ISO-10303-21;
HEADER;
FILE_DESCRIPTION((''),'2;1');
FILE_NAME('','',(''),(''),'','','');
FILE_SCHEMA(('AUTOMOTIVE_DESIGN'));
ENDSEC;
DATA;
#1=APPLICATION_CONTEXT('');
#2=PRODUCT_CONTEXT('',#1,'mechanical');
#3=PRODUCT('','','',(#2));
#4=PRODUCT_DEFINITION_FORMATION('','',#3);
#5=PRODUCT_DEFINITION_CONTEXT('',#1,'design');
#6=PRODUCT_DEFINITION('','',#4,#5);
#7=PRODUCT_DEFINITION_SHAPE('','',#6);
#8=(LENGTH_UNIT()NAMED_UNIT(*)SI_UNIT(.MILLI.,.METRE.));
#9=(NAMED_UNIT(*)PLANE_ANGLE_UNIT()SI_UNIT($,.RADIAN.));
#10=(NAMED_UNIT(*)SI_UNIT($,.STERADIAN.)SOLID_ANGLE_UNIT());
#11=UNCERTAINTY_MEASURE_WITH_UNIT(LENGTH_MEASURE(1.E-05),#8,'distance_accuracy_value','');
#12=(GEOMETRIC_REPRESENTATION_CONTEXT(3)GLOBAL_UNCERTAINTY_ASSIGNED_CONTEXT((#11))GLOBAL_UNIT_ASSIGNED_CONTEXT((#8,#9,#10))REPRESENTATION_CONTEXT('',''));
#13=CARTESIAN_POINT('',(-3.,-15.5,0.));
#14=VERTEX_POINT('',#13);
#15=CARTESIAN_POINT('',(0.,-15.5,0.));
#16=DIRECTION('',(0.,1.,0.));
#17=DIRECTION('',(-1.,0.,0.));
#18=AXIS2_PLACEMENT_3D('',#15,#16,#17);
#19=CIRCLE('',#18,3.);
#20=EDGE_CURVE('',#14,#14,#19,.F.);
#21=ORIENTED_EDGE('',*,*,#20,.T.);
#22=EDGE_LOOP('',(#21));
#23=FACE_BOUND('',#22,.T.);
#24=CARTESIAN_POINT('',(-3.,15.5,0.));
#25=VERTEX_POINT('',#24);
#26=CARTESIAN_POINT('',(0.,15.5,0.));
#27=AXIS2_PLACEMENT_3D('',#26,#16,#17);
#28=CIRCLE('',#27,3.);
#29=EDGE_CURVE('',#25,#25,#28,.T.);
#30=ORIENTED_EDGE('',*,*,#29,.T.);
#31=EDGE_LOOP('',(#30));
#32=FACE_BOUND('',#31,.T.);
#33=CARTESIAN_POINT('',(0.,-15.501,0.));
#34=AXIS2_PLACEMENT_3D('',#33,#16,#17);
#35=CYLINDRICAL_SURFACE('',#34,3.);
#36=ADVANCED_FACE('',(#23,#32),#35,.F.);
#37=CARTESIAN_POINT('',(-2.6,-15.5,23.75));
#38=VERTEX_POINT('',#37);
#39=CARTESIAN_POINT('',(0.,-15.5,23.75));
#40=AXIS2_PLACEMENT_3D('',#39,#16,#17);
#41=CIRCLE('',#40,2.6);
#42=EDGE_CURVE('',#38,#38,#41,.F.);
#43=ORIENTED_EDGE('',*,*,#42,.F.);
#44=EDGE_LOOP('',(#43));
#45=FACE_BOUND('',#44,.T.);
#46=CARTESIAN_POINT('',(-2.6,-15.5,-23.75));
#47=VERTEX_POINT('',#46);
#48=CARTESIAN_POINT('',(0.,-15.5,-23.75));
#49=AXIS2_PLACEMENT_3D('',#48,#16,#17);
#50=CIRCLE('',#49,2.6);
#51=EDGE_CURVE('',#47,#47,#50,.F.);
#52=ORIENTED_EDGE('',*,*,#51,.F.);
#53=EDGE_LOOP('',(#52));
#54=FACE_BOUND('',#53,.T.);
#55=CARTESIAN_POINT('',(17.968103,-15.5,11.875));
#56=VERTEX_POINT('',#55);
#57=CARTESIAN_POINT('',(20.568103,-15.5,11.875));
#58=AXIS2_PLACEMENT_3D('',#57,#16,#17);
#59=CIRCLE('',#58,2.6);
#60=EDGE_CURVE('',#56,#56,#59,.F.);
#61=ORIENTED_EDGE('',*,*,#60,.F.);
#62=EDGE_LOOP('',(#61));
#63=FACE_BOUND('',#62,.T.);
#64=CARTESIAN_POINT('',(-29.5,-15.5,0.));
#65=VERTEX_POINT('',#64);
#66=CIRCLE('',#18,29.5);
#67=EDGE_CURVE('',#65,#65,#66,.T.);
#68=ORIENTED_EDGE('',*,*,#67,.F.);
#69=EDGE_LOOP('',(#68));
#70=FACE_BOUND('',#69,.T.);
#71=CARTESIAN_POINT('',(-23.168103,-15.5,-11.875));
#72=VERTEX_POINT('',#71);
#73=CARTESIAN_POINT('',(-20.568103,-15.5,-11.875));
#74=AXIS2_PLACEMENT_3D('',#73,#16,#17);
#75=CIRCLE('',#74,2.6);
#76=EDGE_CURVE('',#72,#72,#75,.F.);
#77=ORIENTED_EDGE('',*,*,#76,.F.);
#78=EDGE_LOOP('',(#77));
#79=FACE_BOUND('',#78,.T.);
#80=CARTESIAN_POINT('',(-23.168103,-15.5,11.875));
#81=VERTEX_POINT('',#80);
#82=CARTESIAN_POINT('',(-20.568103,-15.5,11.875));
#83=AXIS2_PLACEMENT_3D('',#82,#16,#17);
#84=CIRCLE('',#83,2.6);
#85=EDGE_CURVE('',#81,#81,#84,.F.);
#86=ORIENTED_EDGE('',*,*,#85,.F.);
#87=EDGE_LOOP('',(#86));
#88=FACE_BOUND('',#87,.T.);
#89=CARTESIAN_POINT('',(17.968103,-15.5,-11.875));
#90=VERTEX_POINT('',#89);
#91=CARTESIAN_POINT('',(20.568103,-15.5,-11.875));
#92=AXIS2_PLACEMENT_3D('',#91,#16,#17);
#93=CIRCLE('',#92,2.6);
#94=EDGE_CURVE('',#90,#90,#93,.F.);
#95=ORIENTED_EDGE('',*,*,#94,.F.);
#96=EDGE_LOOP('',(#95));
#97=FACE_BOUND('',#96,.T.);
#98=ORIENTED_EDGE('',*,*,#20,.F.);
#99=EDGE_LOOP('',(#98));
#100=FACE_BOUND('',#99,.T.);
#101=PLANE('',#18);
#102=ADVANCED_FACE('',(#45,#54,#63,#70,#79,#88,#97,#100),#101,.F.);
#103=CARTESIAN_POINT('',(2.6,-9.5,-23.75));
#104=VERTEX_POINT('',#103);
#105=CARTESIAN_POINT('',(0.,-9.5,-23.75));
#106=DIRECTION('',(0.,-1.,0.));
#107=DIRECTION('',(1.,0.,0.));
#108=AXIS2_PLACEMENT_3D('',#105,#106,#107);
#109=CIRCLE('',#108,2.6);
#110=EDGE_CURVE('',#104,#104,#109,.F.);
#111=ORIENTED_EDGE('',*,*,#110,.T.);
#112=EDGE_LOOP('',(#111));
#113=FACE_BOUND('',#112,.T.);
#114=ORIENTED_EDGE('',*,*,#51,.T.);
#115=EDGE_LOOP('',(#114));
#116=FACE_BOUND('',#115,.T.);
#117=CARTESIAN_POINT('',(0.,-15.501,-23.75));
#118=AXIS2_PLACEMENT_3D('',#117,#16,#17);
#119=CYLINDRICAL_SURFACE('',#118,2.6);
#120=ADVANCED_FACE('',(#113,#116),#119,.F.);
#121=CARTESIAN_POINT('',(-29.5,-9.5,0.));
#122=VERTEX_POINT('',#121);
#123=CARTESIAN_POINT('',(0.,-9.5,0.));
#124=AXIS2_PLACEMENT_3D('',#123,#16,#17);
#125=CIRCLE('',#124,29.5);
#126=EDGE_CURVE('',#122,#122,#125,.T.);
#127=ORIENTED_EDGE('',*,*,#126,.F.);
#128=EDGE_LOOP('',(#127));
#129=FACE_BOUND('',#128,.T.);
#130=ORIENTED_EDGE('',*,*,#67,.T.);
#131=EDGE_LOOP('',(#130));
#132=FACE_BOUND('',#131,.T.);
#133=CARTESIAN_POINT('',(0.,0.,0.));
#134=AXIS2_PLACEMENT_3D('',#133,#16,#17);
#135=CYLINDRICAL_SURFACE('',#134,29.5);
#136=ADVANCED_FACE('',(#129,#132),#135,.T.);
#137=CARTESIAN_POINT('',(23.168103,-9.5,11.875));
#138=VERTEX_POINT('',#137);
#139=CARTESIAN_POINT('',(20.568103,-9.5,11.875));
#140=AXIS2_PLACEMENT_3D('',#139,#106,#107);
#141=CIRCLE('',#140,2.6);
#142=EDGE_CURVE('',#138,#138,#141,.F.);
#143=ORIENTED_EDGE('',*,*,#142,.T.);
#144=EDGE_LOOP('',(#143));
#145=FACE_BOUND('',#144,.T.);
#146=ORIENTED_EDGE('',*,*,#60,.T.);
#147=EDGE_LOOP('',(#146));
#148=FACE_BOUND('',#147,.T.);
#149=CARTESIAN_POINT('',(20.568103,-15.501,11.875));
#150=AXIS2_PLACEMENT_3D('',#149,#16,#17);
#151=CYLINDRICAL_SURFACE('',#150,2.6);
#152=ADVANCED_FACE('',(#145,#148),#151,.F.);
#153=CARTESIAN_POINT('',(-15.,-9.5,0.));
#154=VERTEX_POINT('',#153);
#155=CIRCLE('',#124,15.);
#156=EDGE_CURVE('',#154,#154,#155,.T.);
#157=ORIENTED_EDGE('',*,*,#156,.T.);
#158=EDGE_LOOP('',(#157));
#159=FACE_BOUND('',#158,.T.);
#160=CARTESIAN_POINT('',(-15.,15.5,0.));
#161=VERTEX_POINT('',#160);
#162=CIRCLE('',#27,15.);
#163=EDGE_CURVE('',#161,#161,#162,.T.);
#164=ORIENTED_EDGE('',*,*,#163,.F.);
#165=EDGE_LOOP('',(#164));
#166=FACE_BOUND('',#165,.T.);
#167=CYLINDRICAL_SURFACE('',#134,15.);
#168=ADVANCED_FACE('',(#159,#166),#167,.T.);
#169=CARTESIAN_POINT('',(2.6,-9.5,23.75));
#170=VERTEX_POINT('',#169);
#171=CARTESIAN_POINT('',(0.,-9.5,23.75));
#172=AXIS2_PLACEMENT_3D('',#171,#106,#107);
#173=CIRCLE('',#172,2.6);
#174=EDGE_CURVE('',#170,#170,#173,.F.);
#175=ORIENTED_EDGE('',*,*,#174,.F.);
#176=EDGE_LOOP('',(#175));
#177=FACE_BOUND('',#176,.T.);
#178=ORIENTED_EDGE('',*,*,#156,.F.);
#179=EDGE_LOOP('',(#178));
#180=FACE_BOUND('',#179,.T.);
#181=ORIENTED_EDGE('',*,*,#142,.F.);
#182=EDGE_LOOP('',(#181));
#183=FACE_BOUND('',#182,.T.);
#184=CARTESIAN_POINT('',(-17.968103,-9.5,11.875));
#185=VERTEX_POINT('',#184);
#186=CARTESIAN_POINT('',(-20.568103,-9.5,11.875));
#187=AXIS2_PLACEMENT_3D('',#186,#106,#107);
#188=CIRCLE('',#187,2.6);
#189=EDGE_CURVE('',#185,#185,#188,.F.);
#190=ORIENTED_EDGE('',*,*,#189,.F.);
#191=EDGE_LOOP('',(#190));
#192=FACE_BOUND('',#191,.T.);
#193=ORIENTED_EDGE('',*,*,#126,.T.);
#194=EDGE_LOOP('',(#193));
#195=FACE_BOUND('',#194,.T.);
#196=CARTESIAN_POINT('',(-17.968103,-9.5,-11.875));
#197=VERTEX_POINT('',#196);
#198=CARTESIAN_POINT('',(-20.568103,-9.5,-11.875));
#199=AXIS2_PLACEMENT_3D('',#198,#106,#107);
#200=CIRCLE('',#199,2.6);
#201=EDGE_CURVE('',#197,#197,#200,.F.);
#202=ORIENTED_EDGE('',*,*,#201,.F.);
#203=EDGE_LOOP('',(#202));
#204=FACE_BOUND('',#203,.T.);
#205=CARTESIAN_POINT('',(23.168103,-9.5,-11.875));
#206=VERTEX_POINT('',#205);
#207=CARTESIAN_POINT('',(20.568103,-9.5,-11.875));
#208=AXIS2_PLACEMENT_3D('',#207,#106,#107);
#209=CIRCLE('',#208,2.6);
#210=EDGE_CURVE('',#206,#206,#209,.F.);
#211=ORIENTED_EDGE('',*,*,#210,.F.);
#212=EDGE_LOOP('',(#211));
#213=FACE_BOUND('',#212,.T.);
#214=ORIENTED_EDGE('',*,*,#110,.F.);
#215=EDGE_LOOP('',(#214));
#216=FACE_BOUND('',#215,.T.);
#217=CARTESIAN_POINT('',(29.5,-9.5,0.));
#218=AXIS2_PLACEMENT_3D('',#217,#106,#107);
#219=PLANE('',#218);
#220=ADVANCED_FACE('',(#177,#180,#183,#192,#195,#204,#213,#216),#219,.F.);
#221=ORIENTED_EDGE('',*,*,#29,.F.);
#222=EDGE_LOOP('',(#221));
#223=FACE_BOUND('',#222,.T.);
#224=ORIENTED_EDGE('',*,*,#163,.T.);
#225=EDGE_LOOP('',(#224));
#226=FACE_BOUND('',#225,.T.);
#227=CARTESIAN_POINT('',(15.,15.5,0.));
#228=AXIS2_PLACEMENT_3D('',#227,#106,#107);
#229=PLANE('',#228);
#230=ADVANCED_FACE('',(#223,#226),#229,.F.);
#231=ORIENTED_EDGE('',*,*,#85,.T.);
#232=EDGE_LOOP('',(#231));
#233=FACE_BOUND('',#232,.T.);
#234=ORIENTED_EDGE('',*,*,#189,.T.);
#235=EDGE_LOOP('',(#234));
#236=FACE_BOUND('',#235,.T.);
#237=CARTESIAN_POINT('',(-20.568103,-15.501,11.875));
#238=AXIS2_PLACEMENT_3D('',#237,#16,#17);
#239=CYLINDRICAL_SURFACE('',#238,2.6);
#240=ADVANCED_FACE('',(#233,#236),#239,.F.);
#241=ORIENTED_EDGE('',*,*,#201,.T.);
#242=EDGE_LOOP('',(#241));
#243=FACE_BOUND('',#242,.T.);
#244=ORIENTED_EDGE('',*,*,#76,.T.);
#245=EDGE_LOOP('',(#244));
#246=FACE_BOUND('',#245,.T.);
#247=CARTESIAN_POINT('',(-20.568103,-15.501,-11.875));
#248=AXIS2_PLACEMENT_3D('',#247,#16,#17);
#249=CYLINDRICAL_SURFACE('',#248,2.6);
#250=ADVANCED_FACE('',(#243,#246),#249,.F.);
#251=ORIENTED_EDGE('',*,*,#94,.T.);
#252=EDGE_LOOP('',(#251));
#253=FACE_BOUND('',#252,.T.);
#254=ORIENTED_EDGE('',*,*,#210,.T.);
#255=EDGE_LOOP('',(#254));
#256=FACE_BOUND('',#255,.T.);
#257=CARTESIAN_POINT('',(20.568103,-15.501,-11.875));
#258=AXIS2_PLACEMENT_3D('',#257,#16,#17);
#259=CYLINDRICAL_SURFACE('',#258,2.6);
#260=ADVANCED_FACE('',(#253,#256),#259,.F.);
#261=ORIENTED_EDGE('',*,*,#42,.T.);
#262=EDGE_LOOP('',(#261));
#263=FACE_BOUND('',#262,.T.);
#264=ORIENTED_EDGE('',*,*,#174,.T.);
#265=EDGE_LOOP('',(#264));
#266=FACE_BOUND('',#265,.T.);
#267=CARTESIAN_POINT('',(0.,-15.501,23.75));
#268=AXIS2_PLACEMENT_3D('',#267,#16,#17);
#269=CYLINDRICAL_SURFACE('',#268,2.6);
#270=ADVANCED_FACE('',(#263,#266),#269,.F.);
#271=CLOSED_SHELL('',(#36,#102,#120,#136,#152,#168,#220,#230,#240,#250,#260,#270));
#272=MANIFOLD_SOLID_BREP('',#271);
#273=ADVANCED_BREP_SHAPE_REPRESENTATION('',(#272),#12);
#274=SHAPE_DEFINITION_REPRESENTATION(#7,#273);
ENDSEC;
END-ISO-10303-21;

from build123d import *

# Parameters (mm, degrees)
CUT_EXTRUDE1_REACH = 53.976
SKETCH2_R          = 3
SKETCH2_R_2        = 2.6


with BuildPart() as part:
    # Sketch1 → Revolve1 (revolve)
    with BuildSketch(Plane.XY, mode=Mode.PRIVATE) as revolve1_sk:
        Polygon((0, -15.5), (29.5, -15.5), (29.5, -9.5), (15, -9.5), (15, 15.5), (0, 15.5), align=None)
    revolve(revolve1_sk.sketch.rotate(Axis((0, 0, 0), (0, -1, 0)), 180), axis=Axis((0, 0, 0), (0, -1, 0)))

    # Sketch2 → Cut-Extrude1 (cut, up to next)
    with BuildSketch(Plane(origin=(0, 15.5, 0), x_dir=(1, 0, 0), z_dir=(0, 1, 0)), mode=Mode.PRIVATE) as cut_extrude1_sk1:
        with Locations(Location((0, 0, 0), (0, 0, 180))):
            Circle(SKETCH2_R)
    cut_extrude1_tool1 = extrude(cut_extrude1_sk1.sketch, amount=-CUT_EXTRUDE1_REACH, mode=Mode.PRIVATE) & part.part
    # Sketch2 → Cut-Extrude1 (cut, up to next)
    with BuildSketch(Plane(origin=(0, 15.5, 0), x_dir=(1, 0, 0), z_dir=(0, 1, 0)), mode=Mode.PRIVATE) as cut_extrude1_sk2:
        with Locations(Location((0, 23.75, 0), (0, 0, 180))):
            Circle(SKETCH2_R_2)
    cut_extrude1_tool2 = extrude(cut_extrude1_sk2.sketch, amount=-CUT_EXTRUDE1_REACH, mode=Mode.PRIVATE) & part.part
    # Sketch2 → Cut-Extrude1 (cut, up to next)
    with BuildSketch(Plane(origin=(0, 15.5, 0), x_dir=(1, 0, 0), z_dir=(0, 1, 0)), mode=Mode.PRIVATE) as cut_extrude1_sk3:
        with Locations(Location((20.56810334, 11.875, 0), (0, 0, 180))):
            Circle(SKETCH2_R_2)
    cut_extrude1_tool3 = extrude(cut_extrude1_sk3.sketch, amount=-CUT_EXTRUDE1_REACH, mode=Mode.PRIVATE) & part.part
    # Sketch2 → Cut-Extrude1 (cut, up to next)
    with BuildSketch(Plane(origin=(0, 15.5, 0), x_dir=(1, 0, 0), z_dir=(0, 1, 0)), mode=Mode.PRIVATE) as cut_extrude1_sk4:
        with Locations(Location((20.56810334, -11.875, 0), (0, 0, 180))):
            Circle(SKETCH2_R_2)
    cut_extrude1_tool4 = extrude(cut_extrude1_sk4.sketch, amount=-CUT_EXTRUDE1_REACH, mode=Mode.PRIVATE) & part.part
    # Sketch2 → Cut-Extrude1 (cut, up to next)
    with BuildSketch(Plane(origin=(0, 15.5, 0), x_dir=(1, 0, 0), z_dir=(0, 1, 0)), mode=Mode.PRIVATE) as cut_extrude1_sk5:
        with Locations(Location((0, -23.75, 0), (0, 0, 180))):
            Circle(SKETCH2_R_2)
    cut_extrude1_tool5 = extrude(cut_extrude1_sk5.sketch, amount=-CUT_EXTRUDE1_REACH, mode=Mode.PRIVATE) & part.part
    # Sketch2 → Cut-Extrude1 (cut, up to next)
    with BuildSketch(Plane(origin=(0, 15.5, 0), x_dir=(1, 0, 0), z_dir=(0, 1, 0)), mode=Mode.PRIVATE) as cut_extrude1_sk6:
        with Locations(Location((-20.56810334, -11.875, 0), (0, 0, 180))):
            Circle(SKETCH2_R_2)
    cut_extrude1_tool6 = extrude(cut_extrude1_sk6.sketch, amount=-CUT_EXTRUDE1_REACH, mode=Mode.PRIVATE) & part.part
    # Sketch2 → Cut-Extrude1 (cut, up to next)
    with BuildSketch(Plane(origin=(0, 15.5, 0), x_dir=(1, 0, 0), z_dir=(0, 1, 0)), mode=Mode.PRIVATE) as cut_extrude1_sk7:
        with Locations(Location((-20.56810334, 11.875, 0), (0, 0, 180))):
            Circle(SKETCH2_R_2)
    cut_extrude1_tool7 = extrude(cut_extrude1_sk7.sketch, amount=-CUT_EXTRUDE1_REACH, mode=Mode.PRIVATE) & part.part
    add(cut_extrude1_tool1.solids().sort_by_distance((0, 15.5, 0))[0], mode=Mode.SUBTRACT)
    add(cut_extrude1_tool2.solids().sort_by_distance((0, 15.5, -23.75))[0], mode=Mode.SUBTRACT)
    add(cut_extrude1_tool3.solids().sort_by_distance((20.568103, 15.5, -11.875))[0], mode=Mode.SUBTRACT)
    add(cut_extrude1_tool4.solids().sort_by_distance((20.568103, 15.5, 11.875))[0], mode=Mode.SUBTRACT)
    add(cut_extrude1_tool5.solids().sort_by_distance((0, 15.5, 23.75))[0], mode=Mode.SUBTRACT)
    add(cut_extrude1_tool6.solids().sort_by_distance((-20.568103, 15.5, 11.875))[0], mode=Mode.SUBTRACT)
    add(cut_extrude1_tool7.solids().sort_by_distance((-20.568103, 15.5, -11.875))[0], mode=Mode.SUBTRACT)


solid = part.part
